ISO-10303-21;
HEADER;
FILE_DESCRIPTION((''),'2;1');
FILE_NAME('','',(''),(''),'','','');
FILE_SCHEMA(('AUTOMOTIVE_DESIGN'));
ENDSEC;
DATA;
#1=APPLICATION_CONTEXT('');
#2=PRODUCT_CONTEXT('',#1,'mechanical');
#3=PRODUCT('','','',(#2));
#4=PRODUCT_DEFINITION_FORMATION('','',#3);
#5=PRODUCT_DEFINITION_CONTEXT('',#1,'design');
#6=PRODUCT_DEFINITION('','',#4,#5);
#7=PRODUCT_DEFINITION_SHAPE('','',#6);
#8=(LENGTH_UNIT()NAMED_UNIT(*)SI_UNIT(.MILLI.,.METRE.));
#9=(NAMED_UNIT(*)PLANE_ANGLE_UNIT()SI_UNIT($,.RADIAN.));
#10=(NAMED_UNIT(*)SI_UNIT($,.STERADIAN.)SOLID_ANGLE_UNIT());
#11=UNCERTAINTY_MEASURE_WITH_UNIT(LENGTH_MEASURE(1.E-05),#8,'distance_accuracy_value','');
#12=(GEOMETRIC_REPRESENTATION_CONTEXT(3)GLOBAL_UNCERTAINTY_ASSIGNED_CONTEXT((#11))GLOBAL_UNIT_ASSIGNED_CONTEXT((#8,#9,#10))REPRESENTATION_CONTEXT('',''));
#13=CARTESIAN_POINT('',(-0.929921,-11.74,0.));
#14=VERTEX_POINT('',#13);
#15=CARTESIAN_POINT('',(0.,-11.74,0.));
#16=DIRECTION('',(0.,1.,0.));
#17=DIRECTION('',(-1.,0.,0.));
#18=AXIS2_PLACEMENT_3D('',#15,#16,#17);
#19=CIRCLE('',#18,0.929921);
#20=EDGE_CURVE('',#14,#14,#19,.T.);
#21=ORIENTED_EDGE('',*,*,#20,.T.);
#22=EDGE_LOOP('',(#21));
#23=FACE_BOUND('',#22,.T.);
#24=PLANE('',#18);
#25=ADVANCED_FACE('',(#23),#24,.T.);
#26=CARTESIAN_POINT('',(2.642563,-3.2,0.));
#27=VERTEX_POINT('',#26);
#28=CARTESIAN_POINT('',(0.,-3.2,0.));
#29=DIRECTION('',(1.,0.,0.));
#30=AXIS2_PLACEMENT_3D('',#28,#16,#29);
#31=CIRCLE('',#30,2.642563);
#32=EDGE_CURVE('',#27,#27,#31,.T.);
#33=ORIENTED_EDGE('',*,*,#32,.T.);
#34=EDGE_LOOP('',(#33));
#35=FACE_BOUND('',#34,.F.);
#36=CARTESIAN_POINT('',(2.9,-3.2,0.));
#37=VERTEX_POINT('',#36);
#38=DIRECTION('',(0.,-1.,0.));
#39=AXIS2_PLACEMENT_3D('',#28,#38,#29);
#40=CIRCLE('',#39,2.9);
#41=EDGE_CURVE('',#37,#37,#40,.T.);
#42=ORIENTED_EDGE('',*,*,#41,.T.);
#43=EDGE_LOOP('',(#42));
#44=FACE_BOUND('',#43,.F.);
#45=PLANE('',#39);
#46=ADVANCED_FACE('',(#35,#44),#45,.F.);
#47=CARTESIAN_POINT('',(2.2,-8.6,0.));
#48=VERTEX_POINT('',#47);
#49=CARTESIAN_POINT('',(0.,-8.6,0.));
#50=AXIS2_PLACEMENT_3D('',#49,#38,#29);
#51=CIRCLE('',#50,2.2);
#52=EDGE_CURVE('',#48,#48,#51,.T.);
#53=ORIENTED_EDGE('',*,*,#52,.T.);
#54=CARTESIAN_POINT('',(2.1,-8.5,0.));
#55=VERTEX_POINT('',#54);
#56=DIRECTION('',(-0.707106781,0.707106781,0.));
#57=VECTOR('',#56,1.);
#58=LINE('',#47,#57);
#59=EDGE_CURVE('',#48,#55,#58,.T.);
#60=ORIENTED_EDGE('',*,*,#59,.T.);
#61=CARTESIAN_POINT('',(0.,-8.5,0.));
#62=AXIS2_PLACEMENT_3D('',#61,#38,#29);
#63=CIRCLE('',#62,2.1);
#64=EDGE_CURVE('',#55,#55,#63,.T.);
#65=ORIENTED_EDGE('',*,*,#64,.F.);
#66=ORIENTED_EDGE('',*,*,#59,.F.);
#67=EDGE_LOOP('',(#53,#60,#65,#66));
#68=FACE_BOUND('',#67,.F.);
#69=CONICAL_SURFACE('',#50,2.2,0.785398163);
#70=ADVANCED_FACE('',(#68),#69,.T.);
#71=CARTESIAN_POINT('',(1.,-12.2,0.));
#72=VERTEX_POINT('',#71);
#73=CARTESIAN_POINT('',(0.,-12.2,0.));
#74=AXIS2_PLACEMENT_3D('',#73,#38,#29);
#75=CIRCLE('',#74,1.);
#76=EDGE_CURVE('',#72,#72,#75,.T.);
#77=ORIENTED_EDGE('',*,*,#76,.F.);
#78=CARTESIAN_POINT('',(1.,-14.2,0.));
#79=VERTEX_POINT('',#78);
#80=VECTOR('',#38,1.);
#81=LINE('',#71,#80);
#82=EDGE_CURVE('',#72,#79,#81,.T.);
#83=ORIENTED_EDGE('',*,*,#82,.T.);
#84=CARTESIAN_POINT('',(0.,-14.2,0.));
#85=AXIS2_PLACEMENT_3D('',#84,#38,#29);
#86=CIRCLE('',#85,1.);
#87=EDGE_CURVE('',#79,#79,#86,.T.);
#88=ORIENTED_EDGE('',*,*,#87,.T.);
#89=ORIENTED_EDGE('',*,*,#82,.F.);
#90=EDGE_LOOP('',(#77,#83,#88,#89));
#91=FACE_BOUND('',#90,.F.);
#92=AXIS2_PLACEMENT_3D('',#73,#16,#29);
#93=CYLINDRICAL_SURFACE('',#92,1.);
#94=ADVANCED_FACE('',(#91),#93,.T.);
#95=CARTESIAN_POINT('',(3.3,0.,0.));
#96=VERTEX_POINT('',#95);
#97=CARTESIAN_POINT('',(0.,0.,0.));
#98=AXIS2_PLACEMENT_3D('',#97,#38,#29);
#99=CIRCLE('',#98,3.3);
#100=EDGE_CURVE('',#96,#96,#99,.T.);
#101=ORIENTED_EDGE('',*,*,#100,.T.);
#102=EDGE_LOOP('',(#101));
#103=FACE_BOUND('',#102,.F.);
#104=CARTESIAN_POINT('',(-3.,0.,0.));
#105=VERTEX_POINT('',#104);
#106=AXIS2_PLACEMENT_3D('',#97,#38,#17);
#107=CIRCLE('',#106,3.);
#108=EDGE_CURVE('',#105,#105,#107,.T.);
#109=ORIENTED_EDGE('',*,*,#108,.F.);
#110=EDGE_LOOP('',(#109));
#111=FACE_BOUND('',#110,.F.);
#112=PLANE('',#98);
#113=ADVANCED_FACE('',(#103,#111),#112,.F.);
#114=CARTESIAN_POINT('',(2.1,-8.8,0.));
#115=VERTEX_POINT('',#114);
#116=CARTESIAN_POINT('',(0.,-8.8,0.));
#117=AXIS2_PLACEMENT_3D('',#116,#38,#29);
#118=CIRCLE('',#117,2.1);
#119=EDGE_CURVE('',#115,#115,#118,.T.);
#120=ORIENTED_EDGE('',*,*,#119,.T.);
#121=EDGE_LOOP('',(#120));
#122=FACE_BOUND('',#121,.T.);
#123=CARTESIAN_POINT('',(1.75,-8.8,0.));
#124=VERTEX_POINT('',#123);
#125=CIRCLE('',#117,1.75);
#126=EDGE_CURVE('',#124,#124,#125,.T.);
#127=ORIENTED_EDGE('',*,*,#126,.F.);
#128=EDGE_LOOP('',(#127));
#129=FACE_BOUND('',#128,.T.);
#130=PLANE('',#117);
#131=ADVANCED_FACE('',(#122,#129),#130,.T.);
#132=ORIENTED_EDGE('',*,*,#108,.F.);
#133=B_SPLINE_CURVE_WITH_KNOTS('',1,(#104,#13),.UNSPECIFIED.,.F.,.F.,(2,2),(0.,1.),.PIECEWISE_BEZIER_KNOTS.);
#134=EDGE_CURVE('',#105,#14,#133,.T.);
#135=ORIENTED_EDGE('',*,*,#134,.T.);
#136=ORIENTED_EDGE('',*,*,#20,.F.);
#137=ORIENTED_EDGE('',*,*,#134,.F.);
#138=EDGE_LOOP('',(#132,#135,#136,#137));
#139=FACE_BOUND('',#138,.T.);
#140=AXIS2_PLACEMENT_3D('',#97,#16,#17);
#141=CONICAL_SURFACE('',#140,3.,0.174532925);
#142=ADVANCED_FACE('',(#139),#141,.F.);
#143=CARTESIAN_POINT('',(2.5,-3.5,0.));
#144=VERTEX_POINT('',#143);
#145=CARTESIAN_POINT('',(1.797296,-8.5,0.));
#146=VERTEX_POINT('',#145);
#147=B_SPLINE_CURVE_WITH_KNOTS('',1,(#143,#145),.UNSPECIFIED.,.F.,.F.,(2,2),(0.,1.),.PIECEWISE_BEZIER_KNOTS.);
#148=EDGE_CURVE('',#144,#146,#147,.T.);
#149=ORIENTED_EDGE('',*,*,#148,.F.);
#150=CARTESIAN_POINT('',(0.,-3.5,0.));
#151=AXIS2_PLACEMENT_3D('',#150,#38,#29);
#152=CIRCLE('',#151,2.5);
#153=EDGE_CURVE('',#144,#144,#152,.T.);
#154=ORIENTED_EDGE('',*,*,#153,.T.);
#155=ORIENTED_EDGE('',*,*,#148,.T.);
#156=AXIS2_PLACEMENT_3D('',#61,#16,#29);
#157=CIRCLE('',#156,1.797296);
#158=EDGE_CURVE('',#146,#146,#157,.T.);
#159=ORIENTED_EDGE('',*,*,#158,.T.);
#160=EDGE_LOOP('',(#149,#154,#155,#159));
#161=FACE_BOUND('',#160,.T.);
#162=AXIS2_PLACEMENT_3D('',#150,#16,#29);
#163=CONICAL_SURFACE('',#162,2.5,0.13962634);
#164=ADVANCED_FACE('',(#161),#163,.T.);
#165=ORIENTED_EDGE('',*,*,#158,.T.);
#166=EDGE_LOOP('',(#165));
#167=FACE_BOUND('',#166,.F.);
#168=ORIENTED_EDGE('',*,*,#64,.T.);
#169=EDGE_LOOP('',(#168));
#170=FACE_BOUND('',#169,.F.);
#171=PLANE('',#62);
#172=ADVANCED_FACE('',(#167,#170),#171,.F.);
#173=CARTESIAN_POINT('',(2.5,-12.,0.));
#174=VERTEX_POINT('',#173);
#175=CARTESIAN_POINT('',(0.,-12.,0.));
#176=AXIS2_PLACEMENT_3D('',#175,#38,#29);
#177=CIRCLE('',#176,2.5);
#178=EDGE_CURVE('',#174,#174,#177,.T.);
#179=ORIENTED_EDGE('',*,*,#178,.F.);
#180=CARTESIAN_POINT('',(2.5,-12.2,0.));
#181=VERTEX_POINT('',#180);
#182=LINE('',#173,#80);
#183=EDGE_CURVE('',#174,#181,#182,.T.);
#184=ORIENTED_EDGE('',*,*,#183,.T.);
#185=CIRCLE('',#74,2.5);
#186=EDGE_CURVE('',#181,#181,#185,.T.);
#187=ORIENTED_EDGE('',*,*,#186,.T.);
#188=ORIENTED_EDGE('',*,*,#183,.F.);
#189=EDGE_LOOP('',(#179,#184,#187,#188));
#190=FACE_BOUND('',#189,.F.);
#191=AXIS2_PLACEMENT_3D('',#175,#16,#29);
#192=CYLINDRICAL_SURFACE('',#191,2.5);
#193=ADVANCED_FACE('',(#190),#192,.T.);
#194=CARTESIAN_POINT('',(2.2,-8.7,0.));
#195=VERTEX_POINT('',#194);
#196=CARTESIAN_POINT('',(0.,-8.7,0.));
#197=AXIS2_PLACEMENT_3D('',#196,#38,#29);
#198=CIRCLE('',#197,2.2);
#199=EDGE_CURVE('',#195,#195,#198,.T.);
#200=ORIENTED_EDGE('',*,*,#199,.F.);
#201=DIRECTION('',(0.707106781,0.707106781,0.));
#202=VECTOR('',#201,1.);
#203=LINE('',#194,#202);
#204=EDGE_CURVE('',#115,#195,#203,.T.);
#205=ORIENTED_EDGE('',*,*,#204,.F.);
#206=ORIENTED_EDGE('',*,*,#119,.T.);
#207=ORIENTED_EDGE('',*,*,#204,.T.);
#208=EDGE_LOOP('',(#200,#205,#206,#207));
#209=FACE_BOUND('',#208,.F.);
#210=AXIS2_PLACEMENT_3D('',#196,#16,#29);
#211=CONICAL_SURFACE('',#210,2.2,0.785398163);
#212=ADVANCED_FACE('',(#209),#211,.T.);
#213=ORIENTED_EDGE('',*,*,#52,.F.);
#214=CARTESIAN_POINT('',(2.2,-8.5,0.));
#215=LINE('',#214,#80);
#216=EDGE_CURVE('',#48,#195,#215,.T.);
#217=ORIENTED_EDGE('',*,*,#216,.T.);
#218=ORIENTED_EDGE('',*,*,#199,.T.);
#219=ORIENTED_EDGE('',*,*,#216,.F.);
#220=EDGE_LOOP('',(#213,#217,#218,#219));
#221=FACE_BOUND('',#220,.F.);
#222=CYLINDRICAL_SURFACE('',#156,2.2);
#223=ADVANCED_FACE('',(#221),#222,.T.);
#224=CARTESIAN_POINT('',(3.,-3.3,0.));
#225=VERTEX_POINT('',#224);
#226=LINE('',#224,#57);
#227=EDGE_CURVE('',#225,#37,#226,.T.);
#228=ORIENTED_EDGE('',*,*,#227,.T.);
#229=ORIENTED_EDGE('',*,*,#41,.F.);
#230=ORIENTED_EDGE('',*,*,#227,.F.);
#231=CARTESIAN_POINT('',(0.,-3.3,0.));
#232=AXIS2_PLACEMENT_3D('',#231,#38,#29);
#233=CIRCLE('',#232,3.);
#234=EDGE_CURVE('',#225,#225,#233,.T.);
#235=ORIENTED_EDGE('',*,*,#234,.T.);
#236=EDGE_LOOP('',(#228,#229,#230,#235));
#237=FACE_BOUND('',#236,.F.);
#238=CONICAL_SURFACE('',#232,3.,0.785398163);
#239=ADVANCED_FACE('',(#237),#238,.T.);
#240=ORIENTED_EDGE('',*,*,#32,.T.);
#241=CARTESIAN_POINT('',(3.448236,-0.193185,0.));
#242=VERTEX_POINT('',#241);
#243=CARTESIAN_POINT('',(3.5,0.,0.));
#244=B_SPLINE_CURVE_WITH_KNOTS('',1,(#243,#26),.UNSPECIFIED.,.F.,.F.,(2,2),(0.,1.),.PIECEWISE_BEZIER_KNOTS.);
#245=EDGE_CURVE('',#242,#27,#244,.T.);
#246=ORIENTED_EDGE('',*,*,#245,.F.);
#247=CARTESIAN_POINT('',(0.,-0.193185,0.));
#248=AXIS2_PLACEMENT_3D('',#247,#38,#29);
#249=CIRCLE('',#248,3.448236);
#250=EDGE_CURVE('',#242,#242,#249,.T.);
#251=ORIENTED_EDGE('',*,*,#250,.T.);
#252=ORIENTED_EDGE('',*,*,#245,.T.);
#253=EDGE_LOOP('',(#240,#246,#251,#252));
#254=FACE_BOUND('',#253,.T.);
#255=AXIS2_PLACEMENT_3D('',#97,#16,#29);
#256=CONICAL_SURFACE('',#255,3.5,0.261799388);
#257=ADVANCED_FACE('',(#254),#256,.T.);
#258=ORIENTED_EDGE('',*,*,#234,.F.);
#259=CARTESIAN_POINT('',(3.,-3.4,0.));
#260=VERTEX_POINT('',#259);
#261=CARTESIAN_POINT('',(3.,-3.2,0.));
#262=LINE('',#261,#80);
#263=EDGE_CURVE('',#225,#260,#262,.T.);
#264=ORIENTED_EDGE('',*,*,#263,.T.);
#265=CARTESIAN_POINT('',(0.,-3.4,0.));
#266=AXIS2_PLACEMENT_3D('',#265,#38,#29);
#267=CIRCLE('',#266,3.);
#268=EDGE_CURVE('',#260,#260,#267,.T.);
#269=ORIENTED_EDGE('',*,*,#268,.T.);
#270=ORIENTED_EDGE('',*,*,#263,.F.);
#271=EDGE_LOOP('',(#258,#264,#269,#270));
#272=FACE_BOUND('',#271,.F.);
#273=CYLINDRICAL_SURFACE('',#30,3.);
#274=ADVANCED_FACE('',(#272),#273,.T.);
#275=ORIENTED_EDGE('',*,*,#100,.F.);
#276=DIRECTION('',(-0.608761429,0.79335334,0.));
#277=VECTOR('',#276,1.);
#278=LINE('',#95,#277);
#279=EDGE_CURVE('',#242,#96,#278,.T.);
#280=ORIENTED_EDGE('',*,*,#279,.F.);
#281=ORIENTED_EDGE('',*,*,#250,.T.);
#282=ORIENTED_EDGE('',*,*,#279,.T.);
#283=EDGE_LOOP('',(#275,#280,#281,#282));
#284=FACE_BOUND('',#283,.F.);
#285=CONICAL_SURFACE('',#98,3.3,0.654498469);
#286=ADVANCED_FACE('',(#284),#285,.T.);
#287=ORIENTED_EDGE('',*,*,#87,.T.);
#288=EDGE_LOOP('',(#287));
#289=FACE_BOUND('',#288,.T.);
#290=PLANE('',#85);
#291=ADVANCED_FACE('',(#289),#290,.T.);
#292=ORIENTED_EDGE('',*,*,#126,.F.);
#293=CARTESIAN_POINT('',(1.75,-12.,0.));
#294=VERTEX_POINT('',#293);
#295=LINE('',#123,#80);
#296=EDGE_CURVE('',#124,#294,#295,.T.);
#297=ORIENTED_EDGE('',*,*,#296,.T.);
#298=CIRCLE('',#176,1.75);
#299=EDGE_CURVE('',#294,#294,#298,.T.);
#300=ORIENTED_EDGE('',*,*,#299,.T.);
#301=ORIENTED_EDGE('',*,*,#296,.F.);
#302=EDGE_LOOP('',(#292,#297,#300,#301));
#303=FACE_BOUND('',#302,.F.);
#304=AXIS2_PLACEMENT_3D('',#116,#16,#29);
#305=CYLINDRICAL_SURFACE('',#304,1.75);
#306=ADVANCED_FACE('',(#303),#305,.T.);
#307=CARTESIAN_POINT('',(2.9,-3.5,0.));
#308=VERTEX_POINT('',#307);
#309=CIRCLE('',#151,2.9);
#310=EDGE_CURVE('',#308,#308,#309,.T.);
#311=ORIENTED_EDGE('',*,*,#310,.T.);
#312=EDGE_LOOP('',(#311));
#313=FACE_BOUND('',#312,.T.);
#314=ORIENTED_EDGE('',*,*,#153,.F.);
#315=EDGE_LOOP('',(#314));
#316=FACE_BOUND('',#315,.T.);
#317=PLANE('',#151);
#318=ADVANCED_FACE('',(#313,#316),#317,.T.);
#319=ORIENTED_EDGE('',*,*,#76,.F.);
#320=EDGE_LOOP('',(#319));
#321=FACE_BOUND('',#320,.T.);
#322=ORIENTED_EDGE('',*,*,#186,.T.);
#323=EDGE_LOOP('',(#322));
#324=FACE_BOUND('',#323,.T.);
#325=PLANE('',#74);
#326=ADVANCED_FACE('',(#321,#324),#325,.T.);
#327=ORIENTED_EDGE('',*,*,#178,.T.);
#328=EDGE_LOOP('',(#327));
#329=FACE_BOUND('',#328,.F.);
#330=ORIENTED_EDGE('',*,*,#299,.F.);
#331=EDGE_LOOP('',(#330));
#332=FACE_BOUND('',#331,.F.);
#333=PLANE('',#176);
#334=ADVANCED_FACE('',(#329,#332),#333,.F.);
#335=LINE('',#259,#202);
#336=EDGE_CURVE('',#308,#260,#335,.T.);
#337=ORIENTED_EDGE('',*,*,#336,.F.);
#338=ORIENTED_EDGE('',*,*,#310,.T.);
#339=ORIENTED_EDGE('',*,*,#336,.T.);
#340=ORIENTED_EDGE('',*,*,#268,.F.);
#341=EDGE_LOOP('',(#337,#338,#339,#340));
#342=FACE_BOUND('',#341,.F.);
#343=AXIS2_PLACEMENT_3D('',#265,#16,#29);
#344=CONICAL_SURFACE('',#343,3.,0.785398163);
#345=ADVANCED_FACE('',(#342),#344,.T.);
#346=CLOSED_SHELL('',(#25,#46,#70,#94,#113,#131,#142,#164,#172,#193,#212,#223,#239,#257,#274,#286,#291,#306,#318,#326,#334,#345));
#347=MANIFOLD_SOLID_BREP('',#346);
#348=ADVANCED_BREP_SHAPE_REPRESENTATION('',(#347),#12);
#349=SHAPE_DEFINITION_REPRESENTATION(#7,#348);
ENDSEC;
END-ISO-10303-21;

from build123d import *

# Parameters (mm, degrees)
F0_R      = 3.5
F1_DEPTH  = 3.2
F1_TAPER  = 15
F2_R      = 3
F3_DEPTH  = 0.3
F4_SIZE   = 0.2
F5_R      = 2.5
F6_DEPTH  = 5
F6_TAPER  = 8
F7_R      = 2.2
F8_DEPTH  = 0.3
F9_R      = 1.75
F10_DEPTH = 3.2
F11_R     = 2.5
F12_DEPTH = 0.2
F13_R     = 1
F14_DEPTH = 2
F15_SIZE  = 0.1
F16_R     = 3
F17_DEPTH = 11.74
F17_TAPER = 10


with BuildPart() as f1:
    # F0 (on Front) → F1 (new body)
    with BuildSketch(Plane.XZ):
        Circle(F0_R)
    extrude(amount=F1_DEPTH, taper=F1_TAPER)

    # F2 (on face) → F3 (join)
    with BuildSketch(Plane.XZ.offset(3.2)):
        Circle(F2_R)
    extrude(amount=F3_DEPTH)

    # F4
    f4_edges = [f1.edges().sort_by_distance(p)[0] for p in [
        (-3.5, 0, 0),
    ]]
    chamfer(f4_edges, length=F4_SIZE)

    # F5 (on face) → F6 (join)
    with BuildSketch(Plane.XZ.offset(3.5)):
        Circle(F5_R)
    extrude(amount=F6_DEPTH, taper=F6_TAPER)

    # F7 (on face) → F8 (join)
    with BuildSketch(Plane.XZ.offset(8.5)):
        Circle(F7_R)
    extrude(amount=F8_DEPTH)

    # F9 (on face) → F10 (join)
    with BuildSketch(Plane.XZ.offset(8.8)):
        Circle(F9_R)
    extrude(amount=F10_DEPTH)

    # F11 (on face) → F12 (join)
    with BuildSketch(Plane.XZ.offset(12)):
        Circle(F11_R)
    extrude(amount=F12_DEPTH)

    # F13 (on face) → F14 (join)
    with BuildSketch(Plane.XZ.offset(12.2)):
        Circle(F13_R)
    extrude(amount=F14_DEPTH)

    # F15
    f15_edges = [f1.edges().sort_by_distance(p)[0] for p in [
        (-3, -3.5, 0),
        (-2.2, -8.8, 0),
        (-2.2, -8.5, 0),
        (-3, -3.2, 0),
    ]]
    chamfer(f15_edges, length=F15_SIZE)

    # F16 (on face) → F17 (cut, symmetric)
    with BuildSketch(Plane(origin=(0, 0, 0), x_dir=(-1, 0, 0), z_dir=(0, 1, 0))):
        Circle(F16_R)
    extrude(amount=F17_DEPTH, both=True, taper=F17_TAPER, mode=Mode.SUBTRACT)


solid = f1.part
